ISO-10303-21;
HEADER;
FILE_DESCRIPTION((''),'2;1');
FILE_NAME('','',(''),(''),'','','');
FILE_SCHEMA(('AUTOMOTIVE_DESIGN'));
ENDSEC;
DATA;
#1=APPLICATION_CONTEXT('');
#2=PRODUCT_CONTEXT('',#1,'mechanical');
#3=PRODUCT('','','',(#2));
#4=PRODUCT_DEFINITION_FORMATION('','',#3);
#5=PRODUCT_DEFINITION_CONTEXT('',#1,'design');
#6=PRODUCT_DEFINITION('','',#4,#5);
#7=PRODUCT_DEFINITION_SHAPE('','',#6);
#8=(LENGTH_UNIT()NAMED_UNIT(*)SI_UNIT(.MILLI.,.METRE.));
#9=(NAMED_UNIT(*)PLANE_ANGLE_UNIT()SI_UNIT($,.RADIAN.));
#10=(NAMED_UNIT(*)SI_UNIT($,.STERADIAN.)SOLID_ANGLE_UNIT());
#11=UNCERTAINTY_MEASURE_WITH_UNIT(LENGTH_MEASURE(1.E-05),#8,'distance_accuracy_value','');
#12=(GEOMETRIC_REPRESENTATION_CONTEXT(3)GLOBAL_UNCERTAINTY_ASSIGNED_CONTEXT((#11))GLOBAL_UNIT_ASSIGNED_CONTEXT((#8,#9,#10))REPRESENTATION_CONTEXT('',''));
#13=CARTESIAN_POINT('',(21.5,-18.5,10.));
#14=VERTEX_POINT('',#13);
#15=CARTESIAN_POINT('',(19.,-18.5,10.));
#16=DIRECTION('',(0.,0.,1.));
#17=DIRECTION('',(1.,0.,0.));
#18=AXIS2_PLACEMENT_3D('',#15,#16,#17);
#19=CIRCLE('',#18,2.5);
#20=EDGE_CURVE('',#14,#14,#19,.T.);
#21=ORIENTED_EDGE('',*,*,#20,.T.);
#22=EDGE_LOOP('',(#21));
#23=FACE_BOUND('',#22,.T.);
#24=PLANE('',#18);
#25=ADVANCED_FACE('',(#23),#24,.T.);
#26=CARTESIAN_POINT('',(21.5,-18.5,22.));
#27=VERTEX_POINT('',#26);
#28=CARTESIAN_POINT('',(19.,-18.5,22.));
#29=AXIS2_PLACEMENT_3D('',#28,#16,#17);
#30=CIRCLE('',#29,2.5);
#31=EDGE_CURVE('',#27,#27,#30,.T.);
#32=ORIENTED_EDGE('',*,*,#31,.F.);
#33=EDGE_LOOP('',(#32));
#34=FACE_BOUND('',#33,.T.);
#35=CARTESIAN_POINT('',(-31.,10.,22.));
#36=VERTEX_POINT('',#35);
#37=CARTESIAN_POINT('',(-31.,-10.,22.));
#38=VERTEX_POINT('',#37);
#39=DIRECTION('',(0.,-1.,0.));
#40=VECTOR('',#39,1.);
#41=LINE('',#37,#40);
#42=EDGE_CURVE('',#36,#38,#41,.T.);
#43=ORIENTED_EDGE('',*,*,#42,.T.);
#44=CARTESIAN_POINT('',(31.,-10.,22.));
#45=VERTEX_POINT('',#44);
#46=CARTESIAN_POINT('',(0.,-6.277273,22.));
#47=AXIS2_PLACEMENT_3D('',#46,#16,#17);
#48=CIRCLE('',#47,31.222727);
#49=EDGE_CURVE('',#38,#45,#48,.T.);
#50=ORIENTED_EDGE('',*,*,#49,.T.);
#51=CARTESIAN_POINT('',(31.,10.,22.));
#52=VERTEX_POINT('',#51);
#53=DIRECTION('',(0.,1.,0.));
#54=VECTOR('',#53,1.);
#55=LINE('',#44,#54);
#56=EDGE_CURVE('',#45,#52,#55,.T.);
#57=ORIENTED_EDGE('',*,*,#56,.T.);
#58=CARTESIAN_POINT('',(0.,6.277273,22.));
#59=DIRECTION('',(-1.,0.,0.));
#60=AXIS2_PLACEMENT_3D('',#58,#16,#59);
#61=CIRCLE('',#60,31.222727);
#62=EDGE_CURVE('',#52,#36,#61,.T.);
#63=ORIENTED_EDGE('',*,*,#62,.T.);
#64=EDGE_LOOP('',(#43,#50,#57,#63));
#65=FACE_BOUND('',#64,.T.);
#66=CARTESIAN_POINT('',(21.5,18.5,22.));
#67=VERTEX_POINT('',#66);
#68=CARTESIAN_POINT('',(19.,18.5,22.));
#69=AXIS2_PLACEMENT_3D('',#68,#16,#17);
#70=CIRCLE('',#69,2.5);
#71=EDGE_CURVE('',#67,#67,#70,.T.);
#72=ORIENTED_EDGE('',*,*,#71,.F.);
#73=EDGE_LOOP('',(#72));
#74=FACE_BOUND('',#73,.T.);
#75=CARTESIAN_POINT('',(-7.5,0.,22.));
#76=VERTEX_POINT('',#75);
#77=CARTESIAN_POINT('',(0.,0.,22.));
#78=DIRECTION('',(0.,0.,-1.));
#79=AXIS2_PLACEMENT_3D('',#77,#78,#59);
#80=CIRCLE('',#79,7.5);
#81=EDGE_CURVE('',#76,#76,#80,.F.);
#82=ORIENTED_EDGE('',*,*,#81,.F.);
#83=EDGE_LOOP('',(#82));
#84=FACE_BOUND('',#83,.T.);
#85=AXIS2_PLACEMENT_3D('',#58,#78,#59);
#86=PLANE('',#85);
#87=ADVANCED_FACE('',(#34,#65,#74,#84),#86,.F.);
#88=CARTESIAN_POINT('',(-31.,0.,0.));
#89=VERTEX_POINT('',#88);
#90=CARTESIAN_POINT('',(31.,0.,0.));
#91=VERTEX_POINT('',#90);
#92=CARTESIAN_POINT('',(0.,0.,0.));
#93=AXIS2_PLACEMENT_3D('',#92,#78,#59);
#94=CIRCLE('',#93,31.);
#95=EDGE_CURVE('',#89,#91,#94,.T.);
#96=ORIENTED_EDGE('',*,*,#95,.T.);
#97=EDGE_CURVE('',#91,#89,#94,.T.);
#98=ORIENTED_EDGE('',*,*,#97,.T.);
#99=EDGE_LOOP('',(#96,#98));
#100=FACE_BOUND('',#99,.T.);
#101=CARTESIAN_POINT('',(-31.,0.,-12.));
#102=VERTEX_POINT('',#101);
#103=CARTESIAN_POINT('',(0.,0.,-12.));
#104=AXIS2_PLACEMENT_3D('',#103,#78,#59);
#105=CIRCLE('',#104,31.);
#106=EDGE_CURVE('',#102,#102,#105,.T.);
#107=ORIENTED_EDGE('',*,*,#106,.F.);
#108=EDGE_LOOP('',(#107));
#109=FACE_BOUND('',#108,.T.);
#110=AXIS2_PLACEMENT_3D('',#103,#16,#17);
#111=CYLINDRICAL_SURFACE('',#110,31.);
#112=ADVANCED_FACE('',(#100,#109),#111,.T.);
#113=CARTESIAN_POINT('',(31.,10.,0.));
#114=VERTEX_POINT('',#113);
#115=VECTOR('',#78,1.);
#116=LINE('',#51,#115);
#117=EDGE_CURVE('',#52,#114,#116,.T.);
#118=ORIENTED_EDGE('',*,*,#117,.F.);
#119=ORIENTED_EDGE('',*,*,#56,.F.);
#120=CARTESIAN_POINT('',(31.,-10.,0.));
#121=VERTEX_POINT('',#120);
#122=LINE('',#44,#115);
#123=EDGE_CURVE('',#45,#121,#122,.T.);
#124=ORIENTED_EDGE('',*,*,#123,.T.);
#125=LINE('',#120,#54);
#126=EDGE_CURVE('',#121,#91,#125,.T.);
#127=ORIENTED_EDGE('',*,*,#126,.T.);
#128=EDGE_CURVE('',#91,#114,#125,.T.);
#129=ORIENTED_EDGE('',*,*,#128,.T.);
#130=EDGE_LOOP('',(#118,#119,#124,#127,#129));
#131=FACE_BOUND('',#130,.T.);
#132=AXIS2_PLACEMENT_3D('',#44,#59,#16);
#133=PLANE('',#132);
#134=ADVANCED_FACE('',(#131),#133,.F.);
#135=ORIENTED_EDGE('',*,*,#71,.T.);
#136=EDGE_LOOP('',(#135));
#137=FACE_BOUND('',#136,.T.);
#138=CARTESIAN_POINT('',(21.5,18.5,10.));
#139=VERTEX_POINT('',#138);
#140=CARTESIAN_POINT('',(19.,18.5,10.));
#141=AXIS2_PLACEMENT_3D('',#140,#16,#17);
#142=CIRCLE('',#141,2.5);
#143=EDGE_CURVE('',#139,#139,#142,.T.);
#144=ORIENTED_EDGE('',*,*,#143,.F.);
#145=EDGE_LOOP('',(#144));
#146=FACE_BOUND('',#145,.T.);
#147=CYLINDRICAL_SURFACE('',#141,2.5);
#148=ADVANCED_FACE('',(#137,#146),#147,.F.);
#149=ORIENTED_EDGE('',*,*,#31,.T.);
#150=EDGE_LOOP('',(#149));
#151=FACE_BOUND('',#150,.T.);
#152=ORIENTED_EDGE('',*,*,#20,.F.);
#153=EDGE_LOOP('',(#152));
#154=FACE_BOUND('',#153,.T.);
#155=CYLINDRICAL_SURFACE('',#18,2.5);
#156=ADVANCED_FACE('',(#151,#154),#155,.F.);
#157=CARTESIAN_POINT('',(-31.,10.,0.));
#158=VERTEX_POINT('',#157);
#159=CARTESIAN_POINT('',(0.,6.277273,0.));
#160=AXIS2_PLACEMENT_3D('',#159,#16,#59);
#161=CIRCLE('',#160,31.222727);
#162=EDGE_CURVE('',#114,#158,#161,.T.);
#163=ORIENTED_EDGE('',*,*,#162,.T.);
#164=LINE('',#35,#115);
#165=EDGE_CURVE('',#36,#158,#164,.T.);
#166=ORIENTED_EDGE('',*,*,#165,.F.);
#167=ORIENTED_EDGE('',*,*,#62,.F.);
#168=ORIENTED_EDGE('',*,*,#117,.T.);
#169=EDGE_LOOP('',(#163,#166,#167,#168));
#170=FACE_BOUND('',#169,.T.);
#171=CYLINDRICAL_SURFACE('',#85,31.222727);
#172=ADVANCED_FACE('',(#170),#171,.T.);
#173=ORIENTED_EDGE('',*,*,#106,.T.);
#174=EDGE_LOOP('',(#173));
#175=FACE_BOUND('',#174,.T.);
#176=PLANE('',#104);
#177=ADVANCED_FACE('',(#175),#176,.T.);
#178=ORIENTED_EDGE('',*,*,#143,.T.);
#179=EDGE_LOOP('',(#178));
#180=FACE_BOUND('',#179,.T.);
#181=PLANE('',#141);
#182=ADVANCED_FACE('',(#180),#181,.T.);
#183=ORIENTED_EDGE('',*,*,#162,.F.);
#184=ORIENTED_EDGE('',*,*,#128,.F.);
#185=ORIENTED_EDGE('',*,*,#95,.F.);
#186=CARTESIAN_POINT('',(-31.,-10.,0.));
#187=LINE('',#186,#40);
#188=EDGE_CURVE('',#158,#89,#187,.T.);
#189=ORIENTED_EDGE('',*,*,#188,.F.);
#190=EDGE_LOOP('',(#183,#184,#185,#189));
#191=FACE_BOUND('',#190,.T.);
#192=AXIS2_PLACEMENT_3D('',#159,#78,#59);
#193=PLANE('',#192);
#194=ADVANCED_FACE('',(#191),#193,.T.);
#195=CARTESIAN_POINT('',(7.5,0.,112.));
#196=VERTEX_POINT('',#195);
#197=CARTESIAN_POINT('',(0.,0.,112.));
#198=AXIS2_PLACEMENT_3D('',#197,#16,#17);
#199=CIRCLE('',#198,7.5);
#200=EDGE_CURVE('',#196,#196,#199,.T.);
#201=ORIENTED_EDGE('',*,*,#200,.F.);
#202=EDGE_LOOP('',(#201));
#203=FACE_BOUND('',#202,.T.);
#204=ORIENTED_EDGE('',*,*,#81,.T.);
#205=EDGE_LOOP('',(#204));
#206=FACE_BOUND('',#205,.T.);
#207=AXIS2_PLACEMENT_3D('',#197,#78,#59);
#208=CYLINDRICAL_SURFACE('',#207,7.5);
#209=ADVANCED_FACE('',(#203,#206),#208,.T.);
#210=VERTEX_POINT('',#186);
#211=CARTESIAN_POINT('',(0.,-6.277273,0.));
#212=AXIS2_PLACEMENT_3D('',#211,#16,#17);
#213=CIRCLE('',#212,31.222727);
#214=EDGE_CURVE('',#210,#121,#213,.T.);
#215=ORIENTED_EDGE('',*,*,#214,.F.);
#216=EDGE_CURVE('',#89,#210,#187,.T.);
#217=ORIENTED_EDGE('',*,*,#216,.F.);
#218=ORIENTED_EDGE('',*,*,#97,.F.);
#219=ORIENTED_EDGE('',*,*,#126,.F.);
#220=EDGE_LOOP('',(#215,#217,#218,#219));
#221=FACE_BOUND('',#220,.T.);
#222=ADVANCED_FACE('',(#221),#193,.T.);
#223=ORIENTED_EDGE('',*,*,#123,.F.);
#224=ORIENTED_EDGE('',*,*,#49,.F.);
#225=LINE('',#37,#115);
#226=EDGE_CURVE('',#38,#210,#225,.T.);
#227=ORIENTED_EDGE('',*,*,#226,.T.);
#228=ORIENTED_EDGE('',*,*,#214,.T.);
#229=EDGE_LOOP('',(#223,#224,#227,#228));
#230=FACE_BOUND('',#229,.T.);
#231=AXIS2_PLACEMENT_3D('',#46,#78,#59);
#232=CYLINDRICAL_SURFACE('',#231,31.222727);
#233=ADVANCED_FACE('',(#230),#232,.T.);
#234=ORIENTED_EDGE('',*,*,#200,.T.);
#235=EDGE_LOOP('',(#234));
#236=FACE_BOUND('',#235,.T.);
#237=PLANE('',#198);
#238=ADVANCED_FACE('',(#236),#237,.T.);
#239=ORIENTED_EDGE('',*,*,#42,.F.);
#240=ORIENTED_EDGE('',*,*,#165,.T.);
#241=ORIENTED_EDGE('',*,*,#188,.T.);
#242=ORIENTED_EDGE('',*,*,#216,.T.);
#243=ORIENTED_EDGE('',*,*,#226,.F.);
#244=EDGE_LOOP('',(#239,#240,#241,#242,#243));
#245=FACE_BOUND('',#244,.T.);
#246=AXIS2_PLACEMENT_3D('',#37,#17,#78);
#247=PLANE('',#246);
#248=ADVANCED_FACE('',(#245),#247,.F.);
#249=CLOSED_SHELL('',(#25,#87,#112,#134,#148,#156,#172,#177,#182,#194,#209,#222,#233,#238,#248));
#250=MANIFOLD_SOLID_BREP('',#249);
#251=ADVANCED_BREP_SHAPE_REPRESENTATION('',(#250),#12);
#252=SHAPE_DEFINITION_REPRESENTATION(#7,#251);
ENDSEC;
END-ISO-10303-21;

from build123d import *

# Parameters (mm, degrees)
BOSS_EXTRUDE1_DEPTH = 22
SKETCH2_R           = 31
BOSS_EXTRUDE2_DEPTH = 12
SKETCH3_R           = 2.5
CUT_EXTRUDE2_DEPTH  = 12
SKETCH4_R           = 7.5
BOSS_EXTRUDE3_DEPTH = 90


with BuildPart() as part:
    # Sketch1 → Boss-Extrude1 (new body)
    with BuildSketch(Plane.XY):
        with BuildLine():
            Line((-31, -10), (-31, 10))
            ThreePointArc((-31, 10), (0, 37.5), (31, 10))
            Line((31, 10), (31, -10))
            ThreePointArc((31, -10), (0, -37.5), (-31, -10))
        make_face()
    extrude(amount=BOSS_EXTRUDE1_DEPTH)

    # Sketch2 → Boss-Extrude2 (add)
    with BuildSketch(Plane(origin=(0, 0, 0), x_dir=(-1, 0, 0), z_dir=(0, 0, -1))):
        Circle(SKETCH2_R)
    extrude(amount=BOSS_EXTRUDE2_DEPTH)

    # Sketch3 → Cut-Extrude2 (cut)
    with BuildSketch(Plane.XY.offset(22)):
        with Locations((19, 18.5)):
            Circle(SKETCH3_R)
        with Locations((19, -18.5)):
            Circle(SKETCH3_R)
    extrude(amount=-CUT_EXTRUDE2_DEPTH, mode=Mode.SUBTRACT)

    # Sketch4 → Boss-Extrude3 (add)
    with BuildSketch(Plane.XY.offset(22)):
        with Locations(Location((0, 0, 0), (0, 0, 180))):  # turned: the seam where the file's is
            Circle(SKETCH4_R)
    extrude(amount=BOSS_EXTRUDE3_DEPTH)


solid = part.part
